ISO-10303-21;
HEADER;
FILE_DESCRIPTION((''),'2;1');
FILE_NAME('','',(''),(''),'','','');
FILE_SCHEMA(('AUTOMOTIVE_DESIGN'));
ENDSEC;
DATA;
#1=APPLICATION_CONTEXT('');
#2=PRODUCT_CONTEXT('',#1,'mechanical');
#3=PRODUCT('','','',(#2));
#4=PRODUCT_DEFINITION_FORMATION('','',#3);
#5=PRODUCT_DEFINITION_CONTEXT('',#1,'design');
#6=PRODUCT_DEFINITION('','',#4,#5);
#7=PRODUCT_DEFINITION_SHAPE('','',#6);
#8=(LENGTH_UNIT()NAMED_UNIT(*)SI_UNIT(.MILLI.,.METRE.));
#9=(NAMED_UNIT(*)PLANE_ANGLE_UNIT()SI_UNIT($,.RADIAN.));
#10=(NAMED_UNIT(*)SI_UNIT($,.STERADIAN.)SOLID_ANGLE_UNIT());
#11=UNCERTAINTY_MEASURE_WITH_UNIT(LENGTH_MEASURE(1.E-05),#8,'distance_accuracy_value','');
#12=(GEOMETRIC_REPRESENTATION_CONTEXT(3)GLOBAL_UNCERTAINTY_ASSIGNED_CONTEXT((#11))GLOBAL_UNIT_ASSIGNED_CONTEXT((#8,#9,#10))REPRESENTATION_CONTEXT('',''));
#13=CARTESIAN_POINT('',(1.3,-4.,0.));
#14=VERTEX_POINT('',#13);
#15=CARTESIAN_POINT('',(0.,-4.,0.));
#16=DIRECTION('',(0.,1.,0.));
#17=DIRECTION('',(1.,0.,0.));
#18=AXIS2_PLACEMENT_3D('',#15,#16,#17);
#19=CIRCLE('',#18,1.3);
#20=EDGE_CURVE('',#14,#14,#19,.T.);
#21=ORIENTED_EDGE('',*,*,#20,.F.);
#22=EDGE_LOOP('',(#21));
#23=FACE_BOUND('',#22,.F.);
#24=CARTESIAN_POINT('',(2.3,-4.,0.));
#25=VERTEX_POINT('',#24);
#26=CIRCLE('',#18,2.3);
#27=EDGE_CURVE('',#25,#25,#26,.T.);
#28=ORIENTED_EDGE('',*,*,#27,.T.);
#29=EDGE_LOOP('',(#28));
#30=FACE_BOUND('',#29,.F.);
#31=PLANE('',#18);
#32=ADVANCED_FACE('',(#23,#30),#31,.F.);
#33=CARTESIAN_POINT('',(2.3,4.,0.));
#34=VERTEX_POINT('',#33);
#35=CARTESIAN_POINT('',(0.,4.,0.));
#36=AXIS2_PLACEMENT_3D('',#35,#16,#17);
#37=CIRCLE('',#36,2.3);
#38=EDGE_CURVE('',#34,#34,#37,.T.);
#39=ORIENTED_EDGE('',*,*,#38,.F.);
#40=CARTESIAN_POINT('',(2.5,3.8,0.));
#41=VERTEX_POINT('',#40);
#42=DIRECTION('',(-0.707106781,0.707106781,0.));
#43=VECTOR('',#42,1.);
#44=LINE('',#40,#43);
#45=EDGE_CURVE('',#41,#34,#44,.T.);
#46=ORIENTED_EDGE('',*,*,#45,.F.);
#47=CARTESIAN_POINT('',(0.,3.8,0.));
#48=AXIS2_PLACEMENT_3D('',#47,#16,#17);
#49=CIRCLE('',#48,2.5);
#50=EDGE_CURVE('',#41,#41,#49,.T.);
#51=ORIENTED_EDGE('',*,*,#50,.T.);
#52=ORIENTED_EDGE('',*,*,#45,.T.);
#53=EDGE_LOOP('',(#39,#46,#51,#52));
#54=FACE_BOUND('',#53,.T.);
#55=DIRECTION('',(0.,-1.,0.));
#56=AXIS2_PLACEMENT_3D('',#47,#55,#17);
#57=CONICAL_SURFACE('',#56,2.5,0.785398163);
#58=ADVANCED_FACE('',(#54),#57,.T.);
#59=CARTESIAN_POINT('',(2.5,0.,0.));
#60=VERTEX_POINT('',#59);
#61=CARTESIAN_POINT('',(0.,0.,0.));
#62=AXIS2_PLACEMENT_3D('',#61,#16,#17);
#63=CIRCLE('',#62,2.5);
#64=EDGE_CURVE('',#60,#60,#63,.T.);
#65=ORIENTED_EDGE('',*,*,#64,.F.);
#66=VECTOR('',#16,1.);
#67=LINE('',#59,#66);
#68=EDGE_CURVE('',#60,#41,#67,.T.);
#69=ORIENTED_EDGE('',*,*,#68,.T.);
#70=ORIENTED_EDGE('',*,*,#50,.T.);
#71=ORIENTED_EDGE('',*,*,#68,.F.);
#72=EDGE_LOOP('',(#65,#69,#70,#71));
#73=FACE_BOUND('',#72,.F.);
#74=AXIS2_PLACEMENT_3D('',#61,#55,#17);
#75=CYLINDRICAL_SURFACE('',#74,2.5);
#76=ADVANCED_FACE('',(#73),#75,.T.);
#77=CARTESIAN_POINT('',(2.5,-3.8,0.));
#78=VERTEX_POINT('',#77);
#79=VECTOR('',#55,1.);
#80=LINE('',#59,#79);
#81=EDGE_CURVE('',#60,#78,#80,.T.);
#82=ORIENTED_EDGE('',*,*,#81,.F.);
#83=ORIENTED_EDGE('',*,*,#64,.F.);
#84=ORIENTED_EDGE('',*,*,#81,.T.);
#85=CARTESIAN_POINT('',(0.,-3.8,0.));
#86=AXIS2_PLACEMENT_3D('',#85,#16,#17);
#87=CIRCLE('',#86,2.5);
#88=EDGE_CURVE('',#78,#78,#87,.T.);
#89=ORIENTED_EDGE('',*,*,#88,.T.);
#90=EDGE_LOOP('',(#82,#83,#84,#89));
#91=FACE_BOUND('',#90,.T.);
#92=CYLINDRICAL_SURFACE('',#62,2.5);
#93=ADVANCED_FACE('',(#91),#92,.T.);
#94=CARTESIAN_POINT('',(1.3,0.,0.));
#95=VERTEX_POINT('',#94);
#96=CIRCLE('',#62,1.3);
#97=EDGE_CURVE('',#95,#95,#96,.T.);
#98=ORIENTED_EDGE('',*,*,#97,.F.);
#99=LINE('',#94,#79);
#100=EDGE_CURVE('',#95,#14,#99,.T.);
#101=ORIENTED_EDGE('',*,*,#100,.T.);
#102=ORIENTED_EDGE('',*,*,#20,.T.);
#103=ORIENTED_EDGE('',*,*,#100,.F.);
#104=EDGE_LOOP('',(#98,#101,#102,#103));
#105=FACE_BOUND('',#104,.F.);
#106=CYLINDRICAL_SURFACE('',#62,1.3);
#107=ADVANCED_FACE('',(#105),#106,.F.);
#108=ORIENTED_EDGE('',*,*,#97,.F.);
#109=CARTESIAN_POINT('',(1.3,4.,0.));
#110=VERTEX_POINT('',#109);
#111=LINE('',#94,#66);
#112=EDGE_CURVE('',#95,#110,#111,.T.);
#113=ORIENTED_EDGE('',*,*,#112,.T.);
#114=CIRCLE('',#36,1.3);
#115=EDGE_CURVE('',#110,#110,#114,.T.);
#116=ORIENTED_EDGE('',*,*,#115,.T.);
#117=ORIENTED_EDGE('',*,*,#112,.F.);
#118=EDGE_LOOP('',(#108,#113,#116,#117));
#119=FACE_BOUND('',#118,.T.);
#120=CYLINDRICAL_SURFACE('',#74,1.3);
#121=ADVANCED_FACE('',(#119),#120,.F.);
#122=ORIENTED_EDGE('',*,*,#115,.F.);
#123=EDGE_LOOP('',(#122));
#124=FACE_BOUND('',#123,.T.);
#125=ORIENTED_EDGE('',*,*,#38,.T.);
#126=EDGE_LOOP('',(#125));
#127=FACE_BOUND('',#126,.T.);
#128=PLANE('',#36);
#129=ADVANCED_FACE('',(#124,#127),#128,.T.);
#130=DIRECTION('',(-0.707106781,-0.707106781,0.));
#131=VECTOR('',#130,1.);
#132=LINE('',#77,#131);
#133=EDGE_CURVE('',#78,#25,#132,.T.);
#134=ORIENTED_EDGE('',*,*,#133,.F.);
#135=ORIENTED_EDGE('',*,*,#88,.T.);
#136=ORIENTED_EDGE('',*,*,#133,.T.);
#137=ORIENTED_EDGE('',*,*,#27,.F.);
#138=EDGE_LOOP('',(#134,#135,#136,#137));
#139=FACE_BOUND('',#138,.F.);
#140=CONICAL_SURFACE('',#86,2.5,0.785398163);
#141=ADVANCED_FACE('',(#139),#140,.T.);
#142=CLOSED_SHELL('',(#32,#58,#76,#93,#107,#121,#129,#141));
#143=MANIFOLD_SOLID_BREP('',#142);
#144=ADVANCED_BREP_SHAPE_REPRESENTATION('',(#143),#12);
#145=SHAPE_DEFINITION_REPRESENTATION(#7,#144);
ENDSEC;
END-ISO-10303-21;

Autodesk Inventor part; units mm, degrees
ref_plane "YZ Plane" through (0, 0, 0) normal (1, 0, 0) x (0, 1, 0)
ref_plane "XZ Plane" through (0, 0, 0) normal (0, 1, 0) x (-1, 0, 0)
ref_plane "XY Plane" through (0, 0, 0) normal (0, 0, 1) x (1, 0, 0)
sketch "スケッチ1" plane through (0, 0, 0) normal (0, 1, 0) x (1, 0, 0)
  circle A0 centre (0, 0) radius 2.5
  circle A1 centre (0, 0) radius 1.3
  dimension "d0" = 5
  dimension "d1" = 2.6
extrude "押し出し1" add sketch "スケッチ1" along normal mid plane 8
chamfer "面取り1" distance 0.2 angle 45 2 edges at (-2.5, 4, 0) (-2.5, -4, 0)
properties part number "ARL-2608E"
